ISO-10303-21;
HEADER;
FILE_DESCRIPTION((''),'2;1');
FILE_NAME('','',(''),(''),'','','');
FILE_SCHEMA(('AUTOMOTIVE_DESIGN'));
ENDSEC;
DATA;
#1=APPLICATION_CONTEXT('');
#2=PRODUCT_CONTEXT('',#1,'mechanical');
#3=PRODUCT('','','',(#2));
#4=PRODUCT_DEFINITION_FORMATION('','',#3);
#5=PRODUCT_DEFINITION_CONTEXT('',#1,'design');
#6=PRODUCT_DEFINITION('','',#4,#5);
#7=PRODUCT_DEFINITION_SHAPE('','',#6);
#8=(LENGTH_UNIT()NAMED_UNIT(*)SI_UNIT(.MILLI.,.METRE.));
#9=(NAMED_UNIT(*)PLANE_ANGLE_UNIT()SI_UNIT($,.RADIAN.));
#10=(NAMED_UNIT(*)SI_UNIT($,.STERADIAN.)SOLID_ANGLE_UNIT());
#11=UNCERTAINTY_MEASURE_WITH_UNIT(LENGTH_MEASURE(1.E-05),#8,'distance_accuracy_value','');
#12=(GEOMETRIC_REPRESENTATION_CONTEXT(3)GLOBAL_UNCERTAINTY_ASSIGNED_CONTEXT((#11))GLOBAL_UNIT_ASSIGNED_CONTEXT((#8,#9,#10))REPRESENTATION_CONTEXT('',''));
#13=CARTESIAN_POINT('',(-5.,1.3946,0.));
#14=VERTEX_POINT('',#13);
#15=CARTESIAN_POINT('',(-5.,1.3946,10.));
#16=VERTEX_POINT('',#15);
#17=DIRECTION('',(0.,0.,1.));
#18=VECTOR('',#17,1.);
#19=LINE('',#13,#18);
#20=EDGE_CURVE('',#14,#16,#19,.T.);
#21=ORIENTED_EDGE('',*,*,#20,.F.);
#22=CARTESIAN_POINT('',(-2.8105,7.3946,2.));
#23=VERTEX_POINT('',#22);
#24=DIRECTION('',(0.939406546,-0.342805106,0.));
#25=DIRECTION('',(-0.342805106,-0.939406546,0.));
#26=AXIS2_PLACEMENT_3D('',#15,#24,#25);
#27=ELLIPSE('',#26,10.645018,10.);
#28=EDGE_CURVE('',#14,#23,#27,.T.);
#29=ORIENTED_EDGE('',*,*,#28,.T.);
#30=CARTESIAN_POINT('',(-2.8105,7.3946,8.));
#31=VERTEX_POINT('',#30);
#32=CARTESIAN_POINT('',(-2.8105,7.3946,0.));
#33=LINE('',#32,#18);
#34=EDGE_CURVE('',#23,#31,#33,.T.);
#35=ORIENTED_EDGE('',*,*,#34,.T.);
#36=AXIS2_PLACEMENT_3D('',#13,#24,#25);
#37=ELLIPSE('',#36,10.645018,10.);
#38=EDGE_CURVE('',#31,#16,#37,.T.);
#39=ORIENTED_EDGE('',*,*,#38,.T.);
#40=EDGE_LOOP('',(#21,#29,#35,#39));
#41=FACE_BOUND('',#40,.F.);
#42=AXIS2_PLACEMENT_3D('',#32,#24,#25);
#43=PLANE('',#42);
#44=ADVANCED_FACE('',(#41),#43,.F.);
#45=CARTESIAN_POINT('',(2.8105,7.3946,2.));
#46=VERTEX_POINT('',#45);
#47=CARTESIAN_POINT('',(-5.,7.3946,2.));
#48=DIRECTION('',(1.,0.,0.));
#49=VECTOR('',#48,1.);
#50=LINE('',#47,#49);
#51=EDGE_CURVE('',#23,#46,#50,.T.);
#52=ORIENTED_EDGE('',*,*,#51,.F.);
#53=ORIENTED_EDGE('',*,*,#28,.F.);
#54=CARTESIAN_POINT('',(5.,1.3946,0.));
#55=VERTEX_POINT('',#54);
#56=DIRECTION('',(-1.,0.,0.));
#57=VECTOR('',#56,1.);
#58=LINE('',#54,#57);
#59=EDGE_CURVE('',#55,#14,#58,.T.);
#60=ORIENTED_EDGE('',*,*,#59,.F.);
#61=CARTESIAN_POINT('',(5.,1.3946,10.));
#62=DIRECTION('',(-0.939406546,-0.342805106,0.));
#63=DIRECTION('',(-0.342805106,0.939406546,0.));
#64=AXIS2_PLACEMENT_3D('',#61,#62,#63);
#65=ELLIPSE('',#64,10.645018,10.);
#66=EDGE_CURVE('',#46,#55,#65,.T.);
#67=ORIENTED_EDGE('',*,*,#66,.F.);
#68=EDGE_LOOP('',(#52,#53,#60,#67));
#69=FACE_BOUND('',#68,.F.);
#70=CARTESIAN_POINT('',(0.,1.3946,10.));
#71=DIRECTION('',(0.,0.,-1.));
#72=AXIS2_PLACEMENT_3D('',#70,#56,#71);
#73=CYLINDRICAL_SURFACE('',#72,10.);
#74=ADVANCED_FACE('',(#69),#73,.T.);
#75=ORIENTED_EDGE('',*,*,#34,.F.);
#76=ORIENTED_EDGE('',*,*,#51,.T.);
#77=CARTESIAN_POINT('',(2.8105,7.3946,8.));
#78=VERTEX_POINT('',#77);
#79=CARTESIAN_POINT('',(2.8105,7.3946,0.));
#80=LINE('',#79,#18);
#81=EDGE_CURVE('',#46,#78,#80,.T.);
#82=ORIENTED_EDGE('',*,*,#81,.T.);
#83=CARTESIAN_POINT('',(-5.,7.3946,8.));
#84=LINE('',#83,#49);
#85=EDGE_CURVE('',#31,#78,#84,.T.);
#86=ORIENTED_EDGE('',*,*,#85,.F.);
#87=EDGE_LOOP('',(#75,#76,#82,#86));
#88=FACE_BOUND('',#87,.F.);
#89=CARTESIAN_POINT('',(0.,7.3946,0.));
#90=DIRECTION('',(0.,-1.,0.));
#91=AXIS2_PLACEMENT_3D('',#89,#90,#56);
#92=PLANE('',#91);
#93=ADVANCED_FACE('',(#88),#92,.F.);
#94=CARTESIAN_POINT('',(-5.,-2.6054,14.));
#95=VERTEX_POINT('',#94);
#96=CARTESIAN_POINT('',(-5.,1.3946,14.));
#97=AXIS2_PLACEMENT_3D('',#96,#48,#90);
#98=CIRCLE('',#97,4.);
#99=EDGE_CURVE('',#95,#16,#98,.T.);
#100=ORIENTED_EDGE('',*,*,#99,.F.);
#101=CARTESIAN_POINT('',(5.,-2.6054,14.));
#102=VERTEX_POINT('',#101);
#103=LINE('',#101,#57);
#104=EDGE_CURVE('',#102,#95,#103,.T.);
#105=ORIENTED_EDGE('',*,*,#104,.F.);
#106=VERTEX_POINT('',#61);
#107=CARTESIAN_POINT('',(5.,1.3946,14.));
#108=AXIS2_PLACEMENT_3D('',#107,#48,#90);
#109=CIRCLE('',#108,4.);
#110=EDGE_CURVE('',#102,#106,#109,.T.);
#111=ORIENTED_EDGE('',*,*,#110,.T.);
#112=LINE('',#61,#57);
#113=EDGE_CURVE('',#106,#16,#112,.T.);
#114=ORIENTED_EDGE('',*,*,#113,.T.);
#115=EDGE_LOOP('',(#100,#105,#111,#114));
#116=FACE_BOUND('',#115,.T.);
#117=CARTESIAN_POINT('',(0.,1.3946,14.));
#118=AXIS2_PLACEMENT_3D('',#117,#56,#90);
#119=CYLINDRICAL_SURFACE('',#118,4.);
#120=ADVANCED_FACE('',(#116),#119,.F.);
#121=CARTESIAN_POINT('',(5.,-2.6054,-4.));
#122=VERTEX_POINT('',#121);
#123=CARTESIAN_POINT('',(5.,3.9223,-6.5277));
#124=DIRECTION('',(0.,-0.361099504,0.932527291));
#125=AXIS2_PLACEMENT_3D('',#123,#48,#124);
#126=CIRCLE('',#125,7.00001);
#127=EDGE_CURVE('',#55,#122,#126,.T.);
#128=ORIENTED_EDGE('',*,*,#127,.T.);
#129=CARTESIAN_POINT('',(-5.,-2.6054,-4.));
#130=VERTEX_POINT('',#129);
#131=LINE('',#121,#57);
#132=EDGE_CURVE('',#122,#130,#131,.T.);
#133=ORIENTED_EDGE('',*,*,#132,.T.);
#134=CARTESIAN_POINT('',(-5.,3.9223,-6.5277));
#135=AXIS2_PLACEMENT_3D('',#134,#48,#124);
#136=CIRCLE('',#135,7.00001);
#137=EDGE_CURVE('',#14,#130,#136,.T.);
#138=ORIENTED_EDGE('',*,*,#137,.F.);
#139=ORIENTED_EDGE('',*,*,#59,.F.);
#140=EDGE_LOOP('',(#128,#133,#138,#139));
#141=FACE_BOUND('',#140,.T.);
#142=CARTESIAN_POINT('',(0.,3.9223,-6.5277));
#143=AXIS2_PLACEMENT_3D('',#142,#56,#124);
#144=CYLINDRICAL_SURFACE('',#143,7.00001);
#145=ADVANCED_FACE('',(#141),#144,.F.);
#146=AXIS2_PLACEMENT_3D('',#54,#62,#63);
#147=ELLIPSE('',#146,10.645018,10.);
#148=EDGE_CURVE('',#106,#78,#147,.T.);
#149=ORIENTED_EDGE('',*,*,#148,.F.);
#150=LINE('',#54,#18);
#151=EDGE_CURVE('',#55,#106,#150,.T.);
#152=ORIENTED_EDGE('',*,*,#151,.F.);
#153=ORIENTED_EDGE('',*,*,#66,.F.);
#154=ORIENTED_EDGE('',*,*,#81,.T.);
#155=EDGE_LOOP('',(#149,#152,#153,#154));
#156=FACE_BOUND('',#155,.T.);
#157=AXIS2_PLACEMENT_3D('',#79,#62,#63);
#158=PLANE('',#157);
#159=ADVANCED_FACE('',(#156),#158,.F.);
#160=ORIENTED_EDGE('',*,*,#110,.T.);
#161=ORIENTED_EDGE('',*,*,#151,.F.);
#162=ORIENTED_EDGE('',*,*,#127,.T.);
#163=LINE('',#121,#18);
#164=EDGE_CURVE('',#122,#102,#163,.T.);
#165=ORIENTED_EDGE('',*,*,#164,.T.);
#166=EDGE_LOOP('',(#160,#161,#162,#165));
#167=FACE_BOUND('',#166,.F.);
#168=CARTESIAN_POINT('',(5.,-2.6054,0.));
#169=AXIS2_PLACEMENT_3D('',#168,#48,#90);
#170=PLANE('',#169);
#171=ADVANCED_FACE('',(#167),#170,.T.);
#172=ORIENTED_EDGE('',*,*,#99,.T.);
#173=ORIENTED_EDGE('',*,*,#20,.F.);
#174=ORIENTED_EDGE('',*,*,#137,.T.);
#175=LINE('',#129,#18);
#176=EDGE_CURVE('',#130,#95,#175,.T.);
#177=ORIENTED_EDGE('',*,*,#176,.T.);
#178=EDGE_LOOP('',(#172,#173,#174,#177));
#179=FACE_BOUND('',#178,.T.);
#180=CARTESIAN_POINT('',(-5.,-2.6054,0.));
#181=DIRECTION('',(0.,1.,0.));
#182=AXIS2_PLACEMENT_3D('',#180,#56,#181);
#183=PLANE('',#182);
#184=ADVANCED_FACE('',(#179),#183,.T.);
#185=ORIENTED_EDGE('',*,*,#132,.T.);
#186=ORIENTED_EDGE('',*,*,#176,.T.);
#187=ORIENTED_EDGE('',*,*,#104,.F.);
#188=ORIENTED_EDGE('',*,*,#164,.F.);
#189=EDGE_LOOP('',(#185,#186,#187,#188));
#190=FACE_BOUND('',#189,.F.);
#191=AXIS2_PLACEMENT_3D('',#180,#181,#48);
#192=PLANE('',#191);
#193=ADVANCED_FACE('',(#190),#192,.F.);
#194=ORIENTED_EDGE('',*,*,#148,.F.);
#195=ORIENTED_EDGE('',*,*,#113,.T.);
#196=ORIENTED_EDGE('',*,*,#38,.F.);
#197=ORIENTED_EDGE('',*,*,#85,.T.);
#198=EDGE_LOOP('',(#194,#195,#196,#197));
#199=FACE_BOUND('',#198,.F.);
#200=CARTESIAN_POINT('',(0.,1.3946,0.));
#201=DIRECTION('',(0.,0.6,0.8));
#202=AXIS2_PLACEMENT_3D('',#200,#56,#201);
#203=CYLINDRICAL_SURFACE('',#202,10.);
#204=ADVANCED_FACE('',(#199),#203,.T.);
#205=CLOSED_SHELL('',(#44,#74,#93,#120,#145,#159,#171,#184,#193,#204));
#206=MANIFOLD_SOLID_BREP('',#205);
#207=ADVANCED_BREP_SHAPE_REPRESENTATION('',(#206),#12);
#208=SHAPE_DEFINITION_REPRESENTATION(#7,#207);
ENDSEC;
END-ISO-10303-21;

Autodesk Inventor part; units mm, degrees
ref_plane "YZ Plane" through (0, 0, 0) normal (1, 0, 0) x (0, 1, 0)
ref_plane "XZ Plane" through (0, 0, 0) normal (0, 1, 0) x (-1, 0, 0)
ref_plane "XY Plane" through (0, 0, 0) normal (0, 0, 1) x (1, 0, 0)
sketch "Sketch1" plane through (0, 0, 0) normal (0, 0, 1) x (1, 0, 0)
  line L0 (-5, -2.6054) -> (-5, 1.3946)
  line L1 (-5, -2.6054) -> (0, -2.6054)
  line L2 (0, -2.6054) -> (0, 7.3946)
  line L3 (0, 7.3946) -> (-2.8105, 7.3946)
  line L4 (-2.8105, 7.3946) -> (-5, 1.3946)
  point P0 (0, 0)
  dimension "d0" = 4
  dimension "d1" = 6
  dimension "d2" = 5
extrude "Extrusion1" add sketch "Sketch1" along normal blind 10
mirror "Mirror1" about plane through (0, 0, 0) normal (1, 0, 0) of "Extrusion1"
sketch "Sketch2" plane through (0, 0, 0) normal (1, 0, 0) x (0, 1, 0)
  line L0 (7.3946, 0) -> (7.3946, 10) projected
  line L1 (7.3946, 10) -> (1.3946, 10) projected
  line L2 (1.3946, 0) -> (1.3946, 10) projected
  arc A0 (7.3946, 8) -> (1.3946, 10) centre (1.3946, 0) ccw
  line L3 (7.3946, 0) -> (1.3946, 0) projected
  arc A1 (1.3946, 0) -> (7.3946, 2) centre (1.3946, 10) ccw
  point P0 (0, 0)
  dimension "d7" = 10
  dimension "d8" = 8
  dimension "d11" = 10
  dimension "d12" = 8
extrude "Extrusion3" cut sketch "Sketch2" along normal mid plane 10 contours L3 A1 L0 | A0 L1 L0
sketch "Sketch3" plane through (0, 0, 0) normal (1, 0, 0) x (0, 1, 0)
  line L0 (-2.6054, 0) -> (-2.6054, 10) projected
  line L1 (-2.6054, 10) -> (-2.6054, 14)
  line L2 (1.3946, 0) -> (1.3946, 10) projected
  arc A0 (-2.6054, 14) -> (1.3946, 10) centre (1.3946, 14) ccw
  line L3 (-2.6054, 0) -> (-2.6054, -4)
  line L4 (1.3946, 0) -> (-2.6054, 0) projected
  arc A1 (1.3946, 0) -> (-2.6054, -4) centre (3.9223, -6.5277) ccw
  arc A2 (7.3946, 8) -> (1.3946, 10) centre (1.3946, 0) ccw projected
  point P0 (0, 0)
  dimension "d15" = 4
  dimension "d17" = 7
  dimension "d18" = 4
extrude "Extrusion4" add sketch "Sketch3" along normal mid plane 10
equation "\"d2\" = rack_tooth_thickness"
equation "\"d3\" = rack_tooth_face_widh"
equation "\"d11\" = d7"
equation "\"d12\" = d8"
equation "\"d17\" = d16"
equation "\"d18\" = d15"
equation "\"rack_tooth_thickness\" = 5"
equation "\"rack_tooth_face_widh\" = 10"
equation "\"rack_tooth_addendum\" = 5"
equation "\"rack_tooth_dedendum\" = 5"
equation "\"hoop_width_large\" = 51"
equation "\"hoop_thickness_large\" = 4"
equation "\"hoop_thickness_small\" = 2"
equation "\"hoop_width_medium\" = 33.7"
equation "\"hoop_thickness_medium\" = 3.2"
equation "\"hoop_width_small\" = 25.4"
equation "\"secure_arm_angle\" = 35deg"
equation "\"secure_arm_radii\" = 9"
equation "\"hoop_bearing_length\" = 5deg"
equation "\"hoop_cable_pulley_diam\" = 22"
equation "\"hoop_cable_diam\" = 5"
equation "\"support_frame_squareBarThickness\" = 5"
equation "\"support_frame_squareBarFillet\" = 2"
equation "\"support_baseClamp_platformThickness\" = 15"
equation "\"support_baseClamp_platformWidthBuffer\" = 0"
equation "\"support_baseClamp_platformLengthBuffer\" = 35"
equation "\"support_frame_endHoleBuffer\" = 45"
equation "\"support_baseClamp_thickness\" = 8"
equation "\"support_baseClamp_sleeveSweepTerminationAngle\" = 55deg"
equation "\"support_baseClamp_sleeveHoleDiameter\" = 12"
equation "\"hoop_angle_z\" = 45deg"
equation "\"hoop_tabs_hole\" = 12"
equation "\"hoop_tabs_thickness\" = 6"
equation "\"wheelchair_deployed_width\" = 635"
equation "\"wheelchair_deployed_height\" = 914"
equation "\"wheelchair_deployed_length\" = 1067"
equation "\"sm_varx_member_tolerance\" = 0"
equation "\"sm_varx_pinPlate_holeDiameter\" = 5"
equation "\"sm_varx_pinPlate_thickness\" = 5"
equation "\"sm_varx_squareBarThickness\" = 2.5"
equation "\"hoop_bushing12_radialInterference\" = 0"
equation "\"hoop_bushing12_od\" = -2 * hoop_thickness_large + hoop_width_large + hoop_bushing12_radialInterference"
equation "\"hoop_bushing23_radialInterference\" = 0"
equation "\"hoop_bushing12_thickness\" = -hoop_width_medium + hoop_bushing12_od - 2 * hoop_bushing12_radialInterference"
equation "\"hoop_bushing23_od\" = -2 * hoop_thickness_medium + hoop_width_medium + hoop_bushing23_radialInterference"
equation "\"hoop_bushing23_thickness\" = -hoop_width_small + hoop_bushing23_od - 2 * hoop_bushing23_radialInterference"
equation "\"wheelchatir_pos_deploy_angle_0\" = 65deg"
equation "\"wheelchatir_pos_store_angle_0\" = 90deg"
equation "\"wheelchatir_pos_deploy_angle_1\" = 20deg"
equation "\"wheelchatir_pos_store_angle_1\" = 20deg"
equation "\"d16\" = 7"
properties part number "tooth" material "Steel, High Strength, Low Alloy"
